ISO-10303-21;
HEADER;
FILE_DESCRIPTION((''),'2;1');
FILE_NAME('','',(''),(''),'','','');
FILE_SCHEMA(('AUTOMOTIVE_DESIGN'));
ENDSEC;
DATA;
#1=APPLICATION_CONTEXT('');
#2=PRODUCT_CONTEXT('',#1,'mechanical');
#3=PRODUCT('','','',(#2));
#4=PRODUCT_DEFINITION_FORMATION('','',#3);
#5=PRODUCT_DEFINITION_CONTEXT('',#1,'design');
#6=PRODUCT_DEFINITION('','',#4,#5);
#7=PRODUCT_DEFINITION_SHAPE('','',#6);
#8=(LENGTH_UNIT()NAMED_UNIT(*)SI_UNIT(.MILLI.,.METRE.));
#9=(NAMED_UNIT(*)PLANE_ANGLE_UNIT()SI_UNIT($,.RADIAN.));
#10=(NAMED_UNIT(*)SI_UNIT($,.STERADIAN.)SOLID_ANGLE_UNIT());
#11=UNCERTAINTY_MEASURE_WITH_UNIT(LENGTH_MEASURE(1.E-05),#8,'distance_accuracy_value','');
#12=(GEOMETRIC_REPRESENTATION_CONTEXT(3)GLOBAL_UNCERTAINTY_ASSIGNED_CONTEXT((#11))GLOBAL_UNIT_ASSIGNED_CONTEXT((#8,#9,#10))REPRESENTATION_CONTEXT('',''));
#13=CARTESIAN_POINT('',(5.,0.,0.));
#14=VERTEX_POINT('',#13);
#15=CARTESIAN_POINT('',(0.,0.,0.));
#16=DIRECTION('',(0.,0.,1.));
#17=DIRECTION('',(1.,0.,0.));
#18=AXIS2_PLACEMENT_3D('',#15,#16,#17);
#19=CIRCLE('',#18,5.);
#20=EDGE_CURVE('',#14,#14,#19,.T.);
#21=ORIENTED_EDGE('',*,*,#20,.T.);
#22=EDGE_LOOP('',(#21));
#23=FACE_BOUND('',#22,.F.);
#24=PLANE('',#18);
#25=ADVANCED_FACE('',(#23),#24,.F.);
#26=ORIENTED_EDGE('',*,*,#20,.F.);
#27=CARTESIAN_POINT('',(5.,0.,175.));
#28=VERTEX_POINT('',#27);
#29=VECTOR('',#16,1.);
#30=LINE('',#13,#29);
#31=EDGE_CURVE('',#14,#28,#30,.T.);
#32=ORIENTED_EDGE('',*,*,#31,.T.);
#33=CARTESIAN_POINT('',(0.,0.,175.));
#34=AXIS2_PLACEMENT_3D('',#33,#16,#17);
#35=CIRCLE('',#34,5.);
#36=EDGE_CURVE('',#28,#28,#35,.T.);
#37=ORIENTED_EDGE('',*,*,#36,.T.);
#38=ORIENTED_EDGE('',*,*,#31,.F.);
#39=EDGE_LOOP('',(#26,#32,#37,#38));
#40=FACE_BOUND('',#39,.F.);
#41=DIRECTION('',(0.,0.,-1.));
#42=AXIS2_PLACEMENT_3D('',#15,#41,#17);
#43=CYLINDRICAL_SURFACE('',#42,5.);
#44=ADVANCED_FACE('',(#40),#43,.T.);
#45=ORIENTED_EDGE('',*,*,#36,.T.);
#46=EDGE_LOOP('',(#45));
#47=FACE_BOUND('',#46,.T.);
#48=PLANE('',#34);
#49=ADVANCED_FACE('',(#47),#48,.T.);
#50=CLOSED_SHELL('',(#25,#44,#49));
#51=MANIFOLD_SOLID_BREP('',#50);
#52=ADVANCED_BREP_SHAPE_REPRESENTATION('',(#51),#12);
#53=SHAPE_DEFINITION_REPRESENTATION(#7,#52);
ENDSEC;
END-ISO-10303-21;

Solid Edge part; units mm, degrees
sketch "Sketch1" plane through (0, 0, 0) normal (0, 0, 1) x (1, 0, 0)
  circle A0 centre (0, 0) radius 5
extrude "Protrusion1" add sketch "Sketch1" along normal blind 175
